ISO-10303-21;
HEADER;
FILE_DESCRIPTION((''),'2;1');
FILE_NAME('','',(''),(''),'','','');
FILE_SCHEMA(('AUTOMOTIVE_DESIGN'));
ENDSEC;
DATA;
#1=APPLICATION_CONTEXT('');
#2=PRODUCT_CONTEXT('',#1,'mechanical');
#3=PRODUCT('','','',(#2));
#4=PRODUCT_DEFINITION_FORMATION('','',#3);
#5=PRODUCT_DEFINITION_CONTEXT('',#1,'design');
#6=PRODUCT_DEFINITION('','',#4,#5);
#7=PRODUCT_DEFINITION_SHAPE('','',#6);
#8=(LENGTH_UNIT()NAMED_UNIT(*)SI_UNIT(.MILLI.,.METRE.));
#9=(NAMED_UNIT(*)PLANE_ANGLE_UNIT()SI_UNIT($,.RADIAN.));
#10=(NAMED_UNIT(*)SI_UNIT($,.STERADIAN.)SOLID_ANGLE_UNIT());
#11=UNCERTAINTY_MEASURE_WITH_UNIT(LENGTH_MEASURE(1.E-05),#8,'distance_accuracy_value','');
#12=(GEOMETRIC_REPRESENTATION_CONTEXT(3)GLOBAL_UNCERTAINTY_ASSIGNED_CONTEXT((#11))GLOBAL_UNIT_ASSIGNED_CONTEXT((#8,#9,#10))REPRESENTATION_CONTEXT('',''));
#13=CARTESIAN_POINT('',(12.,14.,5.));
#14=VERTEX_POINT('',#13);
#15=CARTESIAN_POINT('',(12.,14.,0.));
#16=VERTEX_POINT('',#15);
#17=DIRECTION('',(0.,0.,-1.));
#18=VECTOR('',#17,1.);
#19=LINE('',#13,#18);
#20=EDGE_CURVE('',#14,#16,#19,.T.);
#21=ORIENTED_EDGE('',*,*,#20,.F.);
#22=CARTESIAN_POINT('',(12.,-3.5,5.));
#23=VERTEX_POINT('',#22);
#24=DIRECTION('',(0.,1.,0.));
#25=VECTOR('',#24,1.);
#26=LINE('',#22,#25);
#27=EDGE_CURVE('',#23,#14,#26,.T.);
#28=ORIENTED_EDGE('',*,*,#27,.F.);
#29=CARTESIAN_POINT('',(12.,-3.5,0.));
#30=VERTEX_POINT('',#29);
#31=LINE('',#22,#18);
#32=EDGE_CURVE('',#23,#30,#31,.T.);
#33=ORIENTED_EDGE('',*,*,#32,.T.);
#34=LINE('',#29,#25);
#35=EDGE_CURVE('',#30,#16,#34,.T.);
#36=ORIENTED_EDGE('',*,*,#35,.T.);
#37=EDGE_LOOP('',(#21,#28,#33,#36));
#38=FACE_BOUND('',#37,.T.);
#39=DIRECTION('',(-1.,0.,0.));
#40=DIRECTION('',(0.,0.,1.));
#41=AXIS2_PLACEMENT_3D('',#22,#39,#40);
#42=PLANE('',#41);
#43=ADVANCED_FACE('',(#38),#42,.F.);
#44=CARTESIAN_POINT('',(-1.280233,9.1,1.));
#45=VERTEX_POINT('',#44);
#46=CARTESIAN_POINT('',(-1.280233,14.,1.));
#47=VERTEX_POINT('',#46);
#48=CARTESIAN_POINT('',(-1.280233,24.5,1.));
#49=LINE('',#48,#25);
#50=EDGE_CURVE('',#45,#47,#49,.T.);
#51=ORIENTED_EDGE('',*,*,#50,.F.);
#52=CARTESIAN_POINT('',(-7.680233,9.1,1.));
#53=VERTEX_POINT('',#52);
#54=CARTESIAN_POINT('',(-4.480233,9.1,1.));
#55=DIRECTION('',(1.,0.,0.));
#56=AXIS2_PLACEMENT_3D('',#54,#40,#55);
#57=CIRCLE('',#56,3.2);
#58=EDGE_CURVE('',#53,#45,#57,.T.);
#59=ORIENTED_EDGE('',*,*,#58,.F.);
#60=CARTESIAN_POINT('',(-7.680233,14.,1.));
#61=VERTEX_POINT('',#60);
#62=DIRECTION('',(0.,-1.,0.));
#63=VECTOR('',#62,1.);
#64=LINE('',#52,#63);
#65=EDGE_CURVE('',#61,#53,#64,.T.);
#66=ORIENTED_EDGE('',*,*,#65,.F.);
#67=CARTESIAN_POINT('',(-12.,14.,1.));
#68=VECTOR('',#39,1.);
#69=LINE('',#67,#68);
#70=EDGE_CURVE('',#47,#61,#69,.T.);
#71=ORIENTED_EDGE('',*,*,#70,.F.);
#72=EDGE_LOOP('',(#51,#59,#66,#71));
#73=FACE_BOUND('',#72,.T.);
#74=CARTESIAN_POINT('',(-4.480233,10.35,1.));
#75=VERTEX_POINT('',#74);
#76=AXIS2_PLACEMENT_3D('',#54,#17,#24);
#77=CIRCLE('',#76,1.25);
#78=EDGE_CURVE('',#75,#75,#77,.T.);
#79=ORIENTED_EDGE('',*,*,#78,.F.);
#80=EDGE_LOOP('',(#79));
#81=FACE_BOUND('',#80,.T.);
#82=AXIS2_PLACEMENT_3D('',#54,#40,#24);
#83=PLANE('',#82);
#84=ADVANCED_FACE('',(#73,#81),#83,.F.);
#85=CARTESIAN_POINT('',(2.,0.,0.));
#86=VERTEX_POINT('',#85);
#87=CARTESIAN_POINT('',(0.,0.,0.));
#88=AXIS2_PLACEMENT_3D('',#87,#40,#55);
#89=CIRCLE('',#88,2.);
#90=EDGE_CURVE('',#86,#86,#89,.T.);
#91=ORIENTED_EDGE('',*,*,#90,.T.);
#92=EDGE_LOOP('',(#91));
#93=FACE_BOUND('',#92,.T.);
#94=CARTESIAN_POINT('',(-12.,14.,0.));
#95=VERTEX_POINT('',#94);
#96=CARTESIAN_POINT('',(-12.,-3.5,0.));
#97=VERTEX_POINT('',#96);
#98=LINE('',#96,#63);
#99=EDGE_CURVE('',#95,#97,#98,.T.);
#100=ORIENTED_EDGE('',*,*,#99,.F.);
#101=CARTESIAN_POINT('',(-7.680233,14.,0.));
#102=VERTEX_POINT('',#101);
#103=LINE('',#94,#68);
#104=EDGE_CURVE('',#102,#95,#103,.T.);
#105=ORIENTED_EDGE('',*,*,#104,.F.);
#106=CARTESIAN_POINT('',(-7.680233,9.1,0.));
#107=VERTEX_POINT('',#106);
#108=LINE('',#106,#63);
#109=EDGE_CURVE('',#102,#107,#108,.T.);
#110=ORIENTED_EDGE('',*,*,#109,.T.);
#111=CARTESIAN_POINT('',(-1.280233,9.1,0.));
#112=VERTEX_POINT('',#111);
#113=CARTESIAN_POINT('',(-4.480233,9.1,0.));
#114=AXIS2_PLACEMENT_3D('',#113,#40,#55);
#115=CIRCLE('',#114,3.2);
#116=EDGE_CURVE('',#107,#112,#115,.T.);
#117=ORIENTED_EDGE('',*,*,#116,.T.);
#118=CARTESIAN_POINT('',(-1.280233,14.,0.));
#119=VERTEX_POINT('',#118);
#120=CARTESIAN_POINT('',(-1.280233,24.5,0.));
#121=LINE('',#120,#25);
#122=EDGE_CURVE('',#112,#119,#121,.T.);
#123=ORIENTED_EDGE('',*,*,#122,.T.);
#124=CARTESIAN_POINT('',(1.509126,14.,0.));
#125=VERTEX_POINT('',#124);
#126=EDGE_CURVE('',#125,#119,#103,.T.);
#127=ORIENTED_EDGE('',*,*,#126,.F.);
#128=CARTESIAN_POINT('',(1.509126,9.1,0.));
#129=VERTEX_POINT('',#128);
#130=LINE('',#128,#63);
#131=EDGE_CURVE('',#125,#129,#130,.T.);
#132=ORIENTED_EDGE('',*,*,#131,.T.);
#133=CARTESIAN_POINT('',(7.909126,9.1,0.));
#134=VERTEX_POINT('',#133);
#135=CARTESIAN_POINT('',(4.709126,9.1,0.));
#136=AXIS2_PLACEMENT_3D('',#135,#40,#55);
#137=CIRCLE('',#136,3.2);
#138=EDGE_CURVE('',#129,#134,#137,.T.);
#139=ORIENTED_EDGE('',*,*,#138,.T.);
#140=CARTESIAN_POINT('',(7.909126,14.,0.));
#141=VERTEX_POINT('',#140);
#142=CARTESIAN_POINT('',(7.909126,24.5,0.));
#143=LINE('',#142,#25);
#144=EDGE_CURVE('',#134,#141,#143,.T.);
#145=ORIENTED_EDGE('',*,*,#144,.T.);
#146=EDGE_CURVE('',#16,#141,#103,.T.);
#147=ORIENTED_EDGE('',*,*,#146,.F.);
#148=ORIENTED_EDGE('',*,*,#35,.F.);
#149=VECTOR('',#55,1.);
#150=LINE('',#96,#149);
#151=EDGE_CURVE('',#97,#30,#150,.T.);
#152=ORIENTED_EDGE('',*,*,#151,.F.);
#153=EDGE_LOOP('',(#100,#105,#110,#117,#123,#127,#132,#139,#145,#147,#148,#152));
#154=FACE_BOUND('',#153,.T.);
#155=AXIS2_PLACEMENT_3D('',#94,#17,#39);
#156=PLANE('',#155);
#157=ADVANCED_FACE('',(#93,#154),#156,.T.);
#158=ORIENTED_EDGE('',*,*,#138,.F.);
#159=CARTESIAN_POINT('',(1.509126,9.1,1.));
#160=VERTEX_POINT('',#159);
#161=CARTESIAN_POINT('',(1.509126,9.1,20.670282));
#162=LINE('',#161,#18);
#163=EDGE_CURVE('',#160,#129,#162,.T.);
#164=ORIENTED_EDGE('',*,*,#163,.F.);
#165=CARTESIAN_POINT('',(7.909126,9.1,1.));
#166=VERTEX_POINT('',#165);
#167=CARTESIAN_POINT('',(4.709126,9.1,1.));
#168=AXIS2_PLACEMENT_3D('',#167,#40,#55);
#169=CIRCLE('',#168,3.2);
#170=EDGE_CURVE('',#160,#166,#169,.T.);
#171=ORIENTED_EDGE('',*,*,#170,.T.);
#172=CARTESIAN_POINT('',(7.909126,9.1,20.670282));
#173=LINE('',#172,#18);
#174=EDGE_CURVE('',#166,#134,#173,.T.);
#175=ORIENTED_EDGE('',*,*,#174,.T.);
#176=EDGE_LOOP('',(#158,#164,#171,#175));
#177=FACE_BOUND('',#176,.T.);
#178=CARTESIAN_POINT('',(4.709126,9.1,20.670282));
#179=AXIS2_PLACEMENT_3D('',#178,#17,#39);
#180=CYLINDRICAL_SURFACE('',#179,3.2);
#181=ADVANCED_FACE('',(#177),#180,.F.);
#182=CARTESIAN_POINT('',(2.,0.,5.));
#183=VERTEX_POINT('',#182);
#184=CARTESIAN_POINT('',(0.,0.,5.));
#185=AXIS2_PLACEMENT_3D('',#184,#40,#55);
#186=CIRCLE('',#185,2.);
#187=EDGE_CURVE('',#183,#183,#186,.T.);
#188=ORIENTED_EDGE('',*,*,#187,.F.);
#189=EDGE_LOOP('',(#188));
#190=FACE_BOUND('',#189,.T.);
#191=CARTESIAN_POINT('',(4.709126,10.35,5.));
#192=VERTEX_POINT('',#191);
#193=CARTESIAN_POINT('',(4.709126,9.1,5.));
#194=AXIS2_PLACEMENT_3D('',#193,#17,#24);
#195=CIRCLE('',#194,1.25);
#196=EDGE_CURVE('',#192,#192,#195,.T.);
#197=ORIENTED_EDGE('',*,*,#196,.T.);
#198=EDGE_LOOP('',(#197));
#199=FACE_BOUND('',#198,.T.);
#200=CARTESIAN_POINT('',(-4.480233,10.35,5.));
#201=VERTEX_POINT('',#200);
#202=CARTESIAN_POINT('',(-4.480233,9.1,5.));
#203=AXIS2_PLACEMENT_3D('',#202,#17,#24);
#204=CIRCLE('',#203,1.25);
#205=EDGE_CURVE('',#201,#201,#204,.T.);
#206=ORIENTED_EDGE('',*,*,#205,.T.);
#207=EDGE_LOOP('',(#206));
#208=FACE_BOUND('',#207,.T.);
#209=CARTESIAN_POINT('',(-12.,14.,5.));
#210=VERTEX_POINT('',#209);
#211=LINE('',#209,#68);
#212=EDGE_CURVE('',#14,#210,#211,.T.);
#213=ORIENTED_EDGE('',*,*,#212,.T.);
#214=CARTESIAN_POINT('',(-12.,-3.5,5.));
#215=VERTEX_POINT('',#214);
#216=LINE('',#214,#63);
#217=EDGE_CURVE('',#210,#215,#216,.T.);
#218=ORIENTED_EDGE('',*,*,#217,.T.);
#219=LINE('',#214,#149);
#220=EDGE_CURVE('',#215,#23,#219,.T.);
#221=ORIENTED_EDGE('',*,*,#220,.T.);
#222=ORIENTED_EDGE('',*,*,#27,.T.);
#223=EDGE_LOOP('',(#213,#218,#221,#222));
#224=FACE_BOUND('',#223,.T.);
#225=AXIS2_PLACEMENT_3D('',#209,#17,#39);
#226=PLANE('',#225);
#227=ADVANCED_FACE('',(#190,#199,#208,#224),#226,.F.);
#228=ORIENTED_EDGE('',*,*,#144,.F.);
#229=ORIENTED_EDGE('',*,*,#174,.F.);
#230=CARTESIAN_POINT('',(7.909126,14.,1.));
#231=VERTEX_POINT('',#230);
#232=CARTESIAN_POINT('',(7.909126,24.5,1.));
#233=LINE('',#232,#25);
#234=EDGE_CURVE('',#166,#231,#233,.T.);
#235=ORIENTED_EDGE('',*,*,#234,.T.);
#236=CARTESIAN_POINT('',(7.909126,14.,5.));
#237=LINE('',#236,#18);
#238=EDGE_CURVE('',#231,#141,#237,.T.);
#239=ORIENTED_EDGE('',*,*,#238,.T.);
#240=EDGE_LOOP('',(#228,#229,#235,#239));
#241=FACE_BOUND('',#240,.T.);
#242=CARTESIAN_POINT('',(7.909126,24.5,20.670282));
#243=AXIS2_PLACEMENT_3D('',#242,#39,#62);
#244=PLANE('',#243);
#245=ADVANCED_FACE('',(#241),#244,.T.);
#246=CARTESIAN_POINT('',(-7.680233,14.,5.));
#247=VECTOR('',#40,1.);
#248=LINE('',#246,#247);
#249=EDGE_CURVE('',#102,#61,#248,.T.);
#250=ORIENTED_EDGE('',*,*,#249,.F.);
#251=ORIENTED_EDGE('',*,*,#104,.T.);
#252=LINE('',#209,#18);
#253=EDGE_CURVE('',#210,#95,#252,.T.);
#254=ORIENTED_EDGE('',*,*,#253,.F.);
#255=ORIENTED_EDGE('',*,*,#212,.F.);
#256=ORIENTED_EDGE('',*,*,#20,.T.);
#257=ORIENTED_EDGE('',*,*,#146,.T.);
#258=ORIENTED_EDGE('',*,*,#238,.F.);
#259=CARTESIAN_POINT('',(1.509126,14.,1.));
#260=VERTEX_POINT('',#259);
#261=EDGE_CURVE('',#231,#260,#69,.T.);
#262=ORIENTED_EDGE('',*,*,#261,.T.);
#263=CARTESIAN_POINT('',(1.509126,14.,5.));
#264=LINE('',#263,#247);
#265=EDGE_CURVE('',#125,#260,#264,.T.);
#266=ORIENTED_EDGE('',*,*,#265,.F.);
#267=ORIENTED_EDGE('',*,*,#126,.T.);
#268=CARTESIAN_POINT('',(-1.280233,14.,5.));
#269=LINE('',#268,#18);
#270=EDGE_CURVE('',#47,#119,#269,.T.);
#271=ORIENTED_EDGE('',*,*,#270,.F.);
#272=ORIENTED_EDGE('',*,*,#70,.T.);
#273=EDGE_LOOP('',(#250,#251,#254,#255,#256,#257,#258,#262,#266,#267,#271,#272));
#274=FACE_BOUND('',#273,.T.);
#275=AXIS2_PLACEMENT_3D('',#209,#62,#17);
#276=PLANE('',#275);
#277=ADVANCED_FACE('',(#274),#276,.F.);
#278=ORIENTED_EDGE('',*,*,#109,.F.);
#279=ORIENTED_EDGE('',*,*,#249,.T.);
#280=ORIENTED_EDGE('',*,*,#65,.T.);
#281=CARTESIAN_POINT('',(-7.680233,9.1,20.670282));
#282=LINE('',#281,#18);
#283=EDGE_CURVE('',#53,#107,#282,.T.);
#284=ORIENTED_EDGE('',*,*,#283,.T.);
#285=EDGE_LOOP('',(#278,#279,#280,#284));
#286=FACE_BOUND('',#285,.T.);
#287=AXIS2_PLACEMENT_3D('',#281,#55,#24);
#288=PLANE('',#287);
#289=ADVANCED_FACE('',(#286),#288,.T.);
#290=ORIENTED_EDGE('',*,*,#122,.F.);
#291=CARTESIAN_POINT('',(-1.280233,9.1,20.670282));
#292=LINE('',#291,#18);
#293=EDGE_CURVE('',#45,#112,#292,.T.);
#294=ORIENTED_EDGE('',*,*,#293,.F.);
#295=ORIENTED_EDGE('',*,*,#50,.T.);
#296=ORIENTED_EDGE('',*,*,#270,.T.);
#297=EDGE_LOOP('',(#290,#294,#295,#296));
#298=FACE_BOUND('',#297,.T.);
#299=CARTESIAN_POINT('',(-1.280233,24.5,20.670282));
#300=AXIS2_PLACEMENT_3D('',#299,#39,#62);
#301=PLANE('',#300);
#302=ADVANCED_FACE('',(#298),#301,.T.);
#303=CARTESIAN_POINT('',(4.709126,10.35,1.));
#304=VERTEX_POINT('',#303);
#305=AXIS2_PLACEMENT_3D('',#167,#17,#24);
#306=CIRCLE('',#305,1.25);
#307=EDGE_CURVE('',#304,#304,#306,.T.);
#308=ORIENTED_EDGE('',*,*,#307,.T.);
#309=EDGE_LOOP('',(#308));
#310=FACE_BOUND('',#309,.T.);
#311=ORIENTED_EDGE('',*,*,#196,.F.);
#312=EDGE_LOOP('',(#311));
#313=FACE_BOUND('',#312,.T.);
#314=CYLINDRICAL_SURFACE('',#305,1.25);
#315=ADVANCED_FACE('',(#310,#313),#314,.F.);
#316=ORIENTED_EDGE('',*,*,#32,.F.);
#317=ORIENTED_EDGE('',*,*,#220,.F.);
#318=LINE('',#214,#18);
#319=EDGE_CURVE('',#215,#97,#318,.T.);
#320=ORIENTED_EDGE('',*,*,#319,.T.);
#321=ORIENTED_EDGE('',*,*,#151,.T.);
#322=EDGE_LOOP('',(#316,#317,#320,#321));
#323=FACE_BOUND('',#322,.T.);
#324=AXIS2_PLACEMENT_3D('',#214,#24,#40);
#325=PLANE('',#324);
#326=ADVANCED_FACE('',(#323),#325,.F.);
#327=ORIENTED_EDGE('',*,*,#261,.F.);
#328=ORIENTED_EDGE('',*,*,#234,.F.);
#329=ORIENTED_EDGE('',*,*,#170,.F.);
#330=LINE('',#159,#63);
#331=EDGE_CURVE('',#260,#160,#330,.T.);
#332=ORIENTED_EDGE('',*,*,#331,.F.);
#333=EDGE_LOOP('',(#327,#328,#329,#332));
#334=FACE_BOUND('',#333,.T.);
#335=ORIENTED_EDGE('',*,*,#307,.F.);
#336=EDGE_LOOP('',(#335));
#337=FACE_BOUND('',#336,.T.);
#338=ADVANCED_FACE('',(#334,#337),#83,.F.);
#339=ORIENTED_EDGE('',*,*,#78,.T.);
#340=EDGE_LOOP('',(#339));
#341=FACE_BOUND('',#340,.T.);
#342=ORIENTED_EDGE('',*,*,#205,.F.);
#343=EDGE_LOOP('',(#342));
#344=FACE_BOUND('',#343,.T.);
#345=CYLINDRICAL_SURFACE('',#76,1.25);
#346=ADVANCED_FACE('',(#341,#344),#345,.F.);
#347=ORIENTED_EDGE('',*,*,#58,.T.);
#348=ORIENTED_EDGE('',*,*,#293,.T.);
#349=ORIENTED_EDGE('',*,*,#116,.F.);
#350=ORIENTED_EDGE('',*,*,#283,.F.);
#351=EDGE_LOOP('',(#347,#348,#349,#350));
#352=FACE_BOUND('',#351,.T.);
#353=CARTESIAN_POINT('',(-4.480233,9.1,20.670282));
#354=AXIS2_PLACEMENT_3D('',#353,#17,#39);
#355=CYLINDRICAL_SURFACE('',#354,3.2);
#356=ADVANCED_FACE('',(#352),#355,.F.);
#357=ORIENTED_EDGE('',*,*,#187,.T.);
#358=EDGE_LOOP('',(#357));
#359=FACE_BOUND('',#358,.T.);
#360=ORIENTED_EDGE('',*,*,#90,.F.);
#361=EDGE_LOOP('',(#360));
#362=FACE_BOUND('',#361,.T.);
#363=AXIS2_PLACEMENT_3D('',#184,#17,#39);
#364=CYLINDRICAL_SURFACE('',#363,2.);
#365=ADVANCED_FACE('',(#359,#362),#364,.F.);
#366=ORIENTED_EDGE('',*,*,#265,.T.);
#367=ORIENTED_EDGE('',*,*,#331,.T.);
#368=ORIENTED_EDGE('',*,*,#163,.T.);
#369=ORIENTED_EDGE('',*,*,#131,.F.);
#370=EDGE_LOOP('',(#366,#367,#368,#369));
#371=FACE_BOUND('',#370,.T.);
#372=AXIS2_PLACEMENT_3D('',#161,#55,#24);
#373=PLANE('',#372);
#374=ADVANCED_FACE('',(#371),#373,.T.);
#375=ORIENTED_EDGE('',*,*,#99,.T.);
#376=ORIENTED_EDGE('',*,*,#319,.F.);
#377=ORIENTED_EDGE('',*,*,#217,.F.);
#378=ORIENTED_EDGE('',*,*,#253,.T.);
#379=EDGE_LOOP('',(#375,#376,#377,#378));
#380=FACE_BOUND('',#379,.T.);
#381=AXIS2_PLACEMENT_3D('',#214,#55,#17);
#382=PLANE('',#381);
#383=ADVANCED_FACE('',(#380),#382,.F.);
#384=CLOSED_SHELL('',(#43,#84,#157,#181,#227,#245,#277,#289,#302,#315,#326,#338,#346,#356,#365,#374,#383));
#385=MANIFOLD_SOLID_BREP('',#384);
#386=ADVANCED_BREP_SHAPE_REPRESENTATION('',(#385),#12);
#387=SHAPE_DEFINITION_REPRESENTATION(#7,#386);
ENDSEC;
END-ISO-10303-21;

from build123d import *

# Parameters (mm, degrees)
ESQUISSE1_W             = 24
ESQUISSE1_H             = 17.5
ESQUISSE1_R             = 2
EXTRUSION1_DEPTH        = 5
ENL_V_MAT_EXTRU_2_DEPTH = 1
TROU_TARAUD_M3X0_51_D   = 2.5


with BuildPart() as part:
    # Esquisse1 → Extrusion1 (new body)
    with BuildSketch(Plane.XY):
        with Locations((0, 5.25)):
            Rectangle(ESQUISSE1_W, ESQUISSE1_H)
        Circle(ESQUISSE1_R, mode=Mode.SUBTRACT)
    extrude(amount=EXTRUSION1_DEPTH)

    # Esquisse3 → Enlèv. mat.-Extru.2 (cut)
    with BuildSketch(Plane.XY):
        with BuildLine():
            Line((-7.680232556, 24.5), (-1.280232556, 24.5))
            Line((-1.280232556, 24.5), (-1.280232556, 9.1))
            ThreePointArc((-1.280232556, 9.1), (-4.480232556, 5.9), (-7.680232556, 9.1))
            Line((-7.680232556, 9.1), (-7.680232556, 24.5))
        make_face()
        with BuildLine():
            Line((1.509125657, 9.1), (1.509125657, 24.5))
            Line((1.509125657, 24.5), (7.909125657, 24.5))
            Line((7.909125657, 24.5), (7.909125657, 9.1))
            ThreePointArc((7.909125657, 9.1), (4.709125657, 5.9), (1.509125657, 9.1))
        make_face()
    extrude(amount=ENL_V_MAT_EXTRU_2_DEPTH, mode=Mode.SUBTRACT)

    # Trou taraudé M3x0.51 (through all)
    with Locations(Plane(origin=(-4.349577812, 3.543926442, 1), x_dir=(-1, 0, 0), z_dir=(0, 0, -1))):
        with Locations((0.130654744, 5.556073558), (-9.058703469, 5.556073558)):
            Hole(TROU_TARAUD_M3X0_51_D / 2)


solid = part.part
